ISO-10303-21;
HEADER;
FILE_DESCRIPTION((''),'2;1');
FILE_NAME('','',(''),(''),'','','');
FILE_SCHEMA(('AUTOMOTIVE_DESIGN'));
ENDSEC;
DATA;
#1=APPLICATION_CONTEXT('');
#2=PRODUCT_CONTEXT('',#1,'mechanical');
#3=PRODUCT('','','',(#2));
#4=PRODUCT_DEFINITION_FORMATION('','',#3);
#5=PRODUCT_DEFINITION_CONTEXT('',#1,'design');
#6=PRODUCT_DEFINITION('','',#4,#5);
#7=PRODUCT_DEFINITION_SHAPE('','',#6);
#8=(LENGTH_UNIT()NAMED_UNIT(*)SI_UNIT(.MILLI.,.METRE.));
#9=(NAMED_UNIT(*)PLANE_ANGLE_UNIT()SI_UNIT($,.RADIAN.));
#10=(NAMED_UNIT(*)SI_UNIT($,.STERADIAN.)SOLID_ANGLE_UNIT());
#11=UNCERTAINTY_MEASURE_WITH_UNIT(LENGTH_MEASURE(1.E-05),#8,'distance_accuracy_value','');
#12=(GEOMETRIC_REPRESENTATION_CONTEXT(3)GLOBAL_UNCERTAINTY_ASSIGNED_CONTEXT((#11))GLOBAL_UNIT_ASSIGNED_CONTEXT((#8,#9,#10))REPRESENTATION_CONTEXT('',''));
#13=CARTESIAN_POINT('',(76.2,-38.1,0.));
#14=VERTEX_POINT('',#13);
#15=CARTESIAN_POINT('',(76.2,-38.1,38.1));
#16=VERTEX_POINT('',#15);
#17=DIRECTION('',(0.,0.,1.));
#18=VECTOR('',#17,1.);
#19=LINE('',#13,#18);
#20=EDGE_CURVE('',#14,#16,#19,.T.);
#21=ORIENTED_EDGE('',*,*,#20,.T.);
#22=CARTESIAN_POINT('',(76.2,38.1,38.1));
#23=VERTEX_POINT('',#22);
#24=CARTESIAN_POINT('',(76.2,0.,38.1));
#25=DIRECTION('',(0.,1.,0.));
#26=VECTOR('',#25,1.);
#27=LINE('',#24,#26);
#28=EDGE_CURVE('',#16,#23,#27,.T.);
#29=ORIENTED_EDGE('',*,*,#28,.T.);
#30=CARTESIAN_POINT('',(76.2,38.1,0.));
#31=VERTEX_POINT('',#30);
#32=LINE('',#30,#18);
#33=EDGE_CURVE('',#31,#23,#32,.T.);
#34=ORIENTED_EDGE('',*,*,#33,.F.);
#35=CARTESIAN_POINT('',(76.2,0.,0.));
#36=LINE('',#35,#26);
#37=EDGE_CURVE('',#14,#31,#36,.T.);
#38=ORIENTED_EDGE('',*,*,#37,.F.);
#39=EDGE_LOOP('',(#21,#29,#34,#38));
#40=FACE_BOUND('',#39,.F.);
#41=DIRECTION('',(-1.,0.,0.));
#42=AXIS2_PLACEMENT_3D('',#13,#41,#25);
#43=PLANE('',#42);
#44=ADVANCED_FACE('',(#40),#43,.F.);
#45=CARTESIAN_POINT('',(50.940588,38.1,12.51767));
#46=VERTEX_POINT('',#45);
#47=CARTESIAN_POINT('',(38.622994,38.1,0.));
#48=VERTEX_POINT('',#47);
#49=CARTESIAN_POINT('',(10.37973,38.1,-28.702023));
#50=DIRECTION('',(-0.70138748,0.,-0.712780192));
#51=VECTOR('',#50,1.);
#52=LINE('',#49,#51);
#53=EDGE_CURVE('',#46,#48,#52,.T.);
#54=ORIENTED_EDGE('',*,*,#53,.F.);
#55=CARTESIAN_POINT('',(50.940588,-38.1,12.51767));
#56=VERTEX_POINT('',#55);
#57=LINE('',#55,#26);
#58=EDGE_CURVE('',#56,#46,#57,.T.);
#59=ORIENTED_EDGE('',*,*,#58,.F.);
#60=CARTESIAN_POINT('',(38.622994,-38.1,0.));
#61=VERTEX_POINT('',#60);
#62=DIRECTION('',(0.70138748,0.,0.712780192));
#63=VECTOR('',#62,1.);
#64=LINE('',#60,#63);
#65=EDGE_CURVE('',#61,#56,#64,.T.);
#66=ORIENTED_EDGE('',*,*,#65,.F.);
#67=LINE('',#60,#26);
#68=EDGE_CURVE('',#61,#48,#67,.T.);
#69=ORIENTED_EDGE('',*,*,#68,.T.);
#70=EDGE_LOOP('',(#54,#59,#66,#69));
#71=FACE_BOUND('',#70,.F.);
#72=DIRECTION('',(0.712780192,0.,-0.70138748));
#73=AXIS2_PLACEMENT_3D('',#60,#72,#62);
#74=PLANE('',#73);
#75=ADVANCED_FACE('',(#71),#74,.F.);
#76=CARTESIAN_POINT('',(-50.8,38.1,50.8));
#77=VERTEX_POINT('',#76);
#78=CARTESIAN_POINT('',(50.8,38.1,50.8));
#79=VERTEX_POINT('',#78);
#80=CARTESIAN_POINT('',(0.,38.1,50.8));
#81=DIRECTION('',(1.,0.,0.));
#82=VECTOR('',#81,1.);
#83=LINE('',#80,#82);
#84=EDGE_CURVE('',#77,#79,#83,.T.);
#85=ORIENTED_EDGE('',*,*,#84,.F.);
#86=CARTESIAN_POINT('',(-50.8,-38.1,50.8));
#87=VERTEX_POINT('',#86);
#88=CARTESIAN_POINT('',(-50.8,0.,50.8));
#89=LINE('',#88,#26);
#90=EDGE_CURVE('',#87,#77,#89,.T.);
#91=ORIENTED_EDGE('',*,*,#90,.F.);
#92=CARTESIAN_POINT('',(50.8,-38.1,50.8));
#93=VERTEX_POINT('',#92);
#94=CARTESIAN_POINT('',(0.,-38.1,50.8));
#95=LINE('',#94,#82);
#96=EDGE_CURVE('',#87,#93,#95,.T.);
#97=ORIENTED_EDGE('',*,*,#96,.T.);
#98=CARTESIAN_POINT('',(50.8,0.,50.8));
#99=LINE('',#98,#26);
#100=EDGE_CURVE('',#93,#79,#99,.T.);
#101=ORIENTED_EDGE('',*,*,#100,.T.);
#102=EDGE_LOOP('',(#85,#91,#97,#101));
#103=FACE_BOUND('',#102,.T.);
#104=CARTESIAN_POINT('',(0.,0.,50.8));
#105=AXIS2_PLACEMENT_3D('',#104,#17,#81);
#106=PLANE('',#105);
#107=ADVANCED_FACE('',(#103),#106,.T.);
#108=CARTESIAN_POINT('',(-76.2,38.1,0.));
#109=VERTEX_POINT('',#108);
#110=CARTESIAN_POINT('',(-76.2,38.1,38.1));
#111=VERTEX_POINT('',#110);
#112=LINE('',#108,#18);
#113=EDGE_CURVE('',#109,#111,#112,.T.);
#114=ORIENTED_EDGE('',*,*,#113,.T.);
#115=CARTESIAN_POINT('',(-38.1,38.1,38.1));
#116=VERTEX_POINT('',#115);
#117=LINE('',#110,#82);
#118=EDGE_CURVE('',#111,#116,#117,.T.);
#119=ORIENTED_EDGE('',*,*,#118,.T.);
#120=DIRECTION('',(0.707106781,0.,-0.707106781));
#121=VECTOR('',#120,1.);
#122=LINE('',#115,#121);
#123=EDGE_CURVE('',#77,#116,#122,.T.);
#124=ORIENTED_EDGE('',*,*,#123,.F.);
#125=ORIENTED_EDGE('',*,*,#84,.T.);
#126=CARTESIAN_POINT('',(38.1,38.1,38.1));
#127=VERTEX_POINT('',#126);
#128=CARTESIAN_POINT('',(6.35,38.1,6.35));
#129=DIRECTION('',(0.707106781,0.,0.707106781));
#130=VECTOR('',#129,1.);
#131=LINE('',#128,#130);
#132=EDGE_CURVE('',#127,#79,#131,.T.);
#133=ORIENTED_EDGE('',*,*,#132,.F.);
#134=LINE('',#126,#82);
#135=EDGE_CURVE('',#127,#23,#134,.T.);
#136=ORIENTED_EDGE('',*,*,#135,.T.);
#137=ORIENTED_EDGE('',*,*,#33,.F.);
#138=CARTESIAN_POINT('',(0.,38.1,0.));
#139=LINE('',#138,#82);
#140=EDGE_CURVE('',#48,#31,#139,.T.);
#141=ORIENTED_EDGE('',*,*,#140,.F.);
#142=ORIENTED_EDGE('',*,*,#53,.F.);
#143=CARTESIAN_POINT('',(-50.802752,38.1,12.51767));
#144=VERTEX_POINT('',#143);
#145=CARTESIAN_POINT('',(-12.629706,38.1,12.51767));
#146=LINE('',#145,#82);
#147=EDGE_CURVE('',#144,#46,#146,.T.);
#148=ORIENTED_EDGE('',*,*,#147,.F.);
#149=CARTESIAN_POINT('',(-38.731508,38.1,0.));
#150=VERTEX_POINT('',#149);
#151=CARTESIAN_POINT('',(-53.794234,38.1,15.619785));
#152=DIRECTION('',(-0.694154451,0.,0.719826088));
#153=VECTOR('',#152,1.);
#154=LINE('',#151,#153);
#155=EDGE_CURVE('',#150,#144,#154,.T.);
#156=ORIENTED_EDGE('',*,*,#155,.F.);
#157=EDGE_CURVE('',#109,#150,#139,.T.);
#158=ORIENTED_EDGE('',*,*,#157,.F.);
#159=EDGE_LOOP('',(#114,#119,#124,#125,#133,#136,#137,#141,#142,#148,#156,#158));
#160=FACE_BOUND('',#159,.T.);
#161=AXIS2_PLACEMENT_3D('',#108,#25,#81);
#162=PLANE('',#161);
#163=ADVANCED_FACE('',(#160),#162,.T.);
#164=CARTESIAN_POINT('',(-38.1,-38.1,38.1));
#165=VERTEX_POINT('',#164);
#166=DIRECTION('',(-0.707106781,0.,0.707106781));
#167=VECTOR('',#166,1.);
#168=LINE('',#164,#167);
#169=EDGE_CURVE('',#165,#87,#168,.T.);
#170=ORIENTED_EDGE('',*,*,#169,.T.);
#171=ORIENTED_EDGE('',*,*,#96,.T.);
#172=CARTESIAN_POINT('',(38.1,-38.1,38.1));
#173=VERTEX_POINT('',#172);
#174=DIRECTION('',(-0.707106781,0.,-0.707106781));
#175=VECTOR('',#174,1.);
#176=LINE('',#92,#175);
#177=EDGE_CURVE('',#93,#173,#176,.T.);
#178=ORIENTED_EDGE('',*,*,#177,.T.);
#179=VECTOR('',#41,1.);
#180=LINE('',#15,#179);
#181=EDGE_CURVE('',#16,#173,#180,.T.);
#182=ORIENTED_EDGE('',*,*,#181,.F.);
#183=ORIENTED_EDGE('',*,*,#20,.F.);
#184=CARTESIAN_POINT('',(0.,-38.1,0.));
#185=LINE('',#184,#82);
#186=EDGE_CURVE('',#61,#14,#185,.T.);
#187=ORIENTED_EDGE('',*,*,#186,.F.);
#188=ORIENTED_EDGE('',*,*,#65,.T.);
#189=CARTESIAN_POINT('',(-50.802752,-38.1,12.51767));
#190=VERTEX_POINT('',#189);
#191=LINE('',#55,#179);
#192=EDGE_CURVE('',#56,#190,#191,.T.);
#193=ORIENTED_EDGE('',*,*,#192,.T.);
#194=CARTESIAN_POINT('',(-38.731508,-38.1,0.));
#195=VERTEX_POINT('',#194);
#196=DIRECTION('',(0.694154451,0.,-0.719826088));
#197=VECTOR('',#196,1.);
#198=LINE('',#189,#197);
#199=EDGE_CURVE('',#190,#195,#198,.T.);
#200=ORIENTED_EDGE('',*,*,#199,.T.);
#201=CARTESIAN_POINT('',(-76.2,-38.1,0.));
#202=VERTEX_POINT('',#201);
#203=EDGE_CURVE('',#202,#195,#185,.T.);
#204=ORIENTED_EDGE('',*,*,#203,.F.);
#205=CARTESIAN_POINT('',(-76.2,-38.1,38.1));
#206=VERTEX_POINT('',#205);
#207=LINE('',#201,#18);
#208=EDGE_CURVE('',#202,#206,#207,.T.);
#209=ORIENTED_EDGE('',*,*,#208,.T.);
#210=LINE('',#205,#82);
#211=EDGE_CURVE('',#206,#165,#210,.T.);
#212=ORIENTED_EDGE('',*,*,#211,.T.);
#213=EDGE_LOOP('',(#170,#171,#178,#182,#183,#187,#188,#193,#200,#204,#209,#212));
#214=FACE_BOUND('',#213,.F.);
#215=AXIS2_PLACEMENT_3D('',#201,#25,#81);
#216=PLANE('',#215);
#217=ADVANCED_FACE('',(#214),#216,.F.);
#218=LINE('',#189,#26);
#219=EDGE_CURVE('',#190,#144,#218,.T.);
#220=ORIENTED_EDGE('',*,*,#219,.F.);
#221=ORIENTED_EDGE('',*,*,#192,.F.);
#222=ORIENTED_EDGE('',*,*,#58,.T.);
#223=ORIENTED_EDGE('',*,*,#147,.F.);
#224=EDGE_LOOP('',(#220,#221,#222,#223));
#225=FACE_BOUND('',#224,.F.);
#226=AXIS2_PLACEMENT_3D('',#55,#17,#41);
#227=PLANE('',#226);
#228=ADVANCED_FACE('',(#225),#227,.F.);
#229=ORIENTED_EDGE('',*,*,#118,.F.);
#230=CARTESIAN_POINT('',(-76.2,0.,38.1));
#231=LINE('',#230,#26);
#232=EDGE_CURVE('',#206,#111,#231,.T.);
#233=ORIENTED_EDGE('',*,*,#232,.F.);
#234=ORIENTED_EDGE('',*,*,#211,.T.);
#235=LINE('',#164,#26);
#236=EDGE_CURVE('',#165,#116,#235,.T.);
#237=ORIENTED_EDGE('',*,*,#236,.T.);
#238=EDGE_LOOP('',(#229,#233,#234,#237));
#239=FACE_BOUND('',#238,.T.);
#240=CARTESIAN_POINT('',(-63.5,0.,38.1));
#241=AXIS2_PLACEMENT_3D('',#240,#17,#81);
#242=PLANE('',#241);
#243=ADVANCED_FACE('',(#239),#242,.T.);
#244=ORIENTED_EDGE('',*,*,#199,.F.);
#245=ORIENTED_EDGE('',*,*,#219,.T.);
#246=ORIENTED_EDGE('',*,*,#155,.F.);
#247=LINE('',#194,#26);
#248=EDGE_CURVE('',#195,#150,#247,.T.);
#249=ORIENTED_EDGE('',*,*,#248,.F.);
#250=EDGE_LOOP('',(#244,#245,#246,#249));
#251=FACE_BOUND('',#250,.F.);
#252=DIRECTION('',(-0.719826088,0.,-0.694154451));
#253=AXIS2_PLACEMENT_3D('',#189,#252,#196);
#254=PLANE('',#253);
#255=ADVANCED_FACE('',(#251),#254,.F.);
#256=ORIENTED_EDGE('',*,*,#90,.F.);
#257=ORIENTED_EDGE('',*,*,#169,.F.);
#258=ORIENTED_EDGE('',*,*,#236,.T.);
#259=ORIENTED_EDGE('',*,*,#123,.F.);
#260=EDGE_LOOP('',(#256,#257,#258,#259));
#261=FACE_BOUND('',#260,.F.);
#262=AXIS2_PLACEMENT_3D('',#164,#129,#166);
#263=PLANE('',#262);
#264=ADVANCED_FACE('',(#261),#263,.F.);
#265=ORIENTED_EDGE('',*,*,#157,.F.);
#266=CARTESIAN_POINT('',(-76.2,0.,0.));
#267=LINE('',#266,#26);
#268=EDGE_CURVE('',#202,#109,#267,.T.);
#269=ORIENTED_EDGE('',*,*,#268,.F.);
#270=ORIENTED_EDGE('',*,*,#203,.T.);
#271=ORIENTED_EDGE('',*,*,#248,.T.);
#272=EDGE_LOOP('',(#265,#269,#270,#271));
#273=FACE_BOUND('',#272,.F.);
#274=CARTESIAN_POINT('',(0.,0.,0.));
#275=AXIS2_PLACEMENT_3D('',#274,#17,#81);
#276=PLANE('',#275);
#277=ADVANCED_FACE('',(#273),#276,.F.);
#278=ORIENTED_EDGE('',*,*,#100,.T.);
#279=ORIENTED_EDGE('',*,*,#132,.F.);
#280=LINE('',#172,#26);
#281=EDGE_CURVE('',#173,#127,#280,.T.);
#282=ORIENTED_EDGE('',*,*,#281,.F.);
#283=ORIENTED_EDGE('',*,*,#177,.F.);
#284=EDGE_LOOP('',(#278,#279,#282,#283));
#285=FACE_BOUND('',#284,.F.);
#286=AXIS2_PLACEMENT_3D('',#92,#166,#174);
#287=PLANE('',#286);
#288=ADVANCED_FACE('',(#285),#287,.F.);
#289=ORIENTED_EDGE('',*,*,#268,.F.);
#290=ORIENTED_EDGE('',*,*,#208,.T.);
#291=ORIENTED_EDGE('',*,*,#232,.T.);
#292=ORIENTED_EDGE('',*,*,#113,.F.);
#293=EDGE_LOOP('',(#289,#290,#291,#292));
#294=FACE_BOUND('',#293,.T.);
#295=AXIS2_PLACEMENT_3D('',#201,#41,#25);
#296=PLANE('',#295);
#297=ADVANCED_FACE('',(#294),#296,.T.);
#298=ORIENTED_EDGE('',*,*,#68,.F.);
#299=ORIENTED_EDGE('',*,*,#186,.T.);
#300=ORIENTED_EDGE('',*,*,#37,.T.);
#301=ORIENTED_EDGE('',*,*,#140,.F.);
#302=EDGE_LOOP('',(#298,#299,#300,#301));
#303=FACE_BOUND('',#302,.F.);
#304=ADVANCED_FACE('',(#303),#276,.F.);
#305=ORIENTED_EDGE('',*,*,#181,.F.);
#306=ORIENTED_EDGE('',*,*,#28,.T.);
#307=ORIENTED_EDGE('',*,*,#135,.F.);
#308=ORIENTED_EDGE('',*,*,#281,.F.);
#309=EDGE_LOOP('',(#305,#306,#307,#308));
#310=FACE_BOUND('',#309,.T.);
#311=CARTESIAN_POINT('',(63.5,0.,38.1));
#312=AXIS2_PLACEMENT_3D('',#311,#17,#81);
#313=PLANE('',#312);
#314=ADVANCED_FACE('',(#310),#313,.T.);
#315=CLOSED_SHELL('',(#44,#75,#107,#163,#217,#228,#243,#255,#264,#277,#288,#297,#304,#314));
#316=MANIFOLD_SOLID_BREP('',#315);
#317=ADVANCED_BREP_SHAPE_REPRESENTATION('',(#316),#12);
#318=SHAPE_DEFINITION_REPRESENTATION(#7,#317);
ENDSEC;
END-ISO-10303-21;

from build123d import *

# Parameters (mm, degrees)
F0_W      = 152.4
F0_H      = 76.2
F1_DEPTH  = 50.8
F2_W      = 25.4
F2_H      = 76.2
F3_DEPTH  = 12.7
F4_W      = 25.4
F4_H      = 76.2
F5_DEPTH  = 12.7
F7_DEPTH  = 76.201
F9_DEPTH  = 76.201
F12_DEPTH = 76.201


with BuildPart() as f1:
    # F0 (on Top) → F1 (new body)
    with BuildSketch(Plane.XY):
        Rectangle(F0_W, F0_H)
    extrude(amount=F1_DEPTH)

    # F2 (on face) → F3 (cut)
    with BuildSketch(Plane.XY.offset(50.8)):
        with Locations((63.5, 0)):
            Rectangle(F2_W, F2_H)
    extrude(amount=-F3_DEPTH, mode=Mode.SUBTRACT)

    # F4 (on face) → F5 (cut)
    with BuildSketch(Plane.XY.offset(50.8)):
        with Locations((-63.5, 0)):
            Rectangle(F4_W, F4_H)
    extrude(amount=-F5_DEPTH, mode=Mode.SUBTRACT)

    # F6 (on face) → F7 (cut, through all)
    with BuildSketch(Plane.XZ.offset(38.1)):
        Polygon((-50.8, 50.8), (-50.8, 38.1), (-38.1, 38.1), align=None)
    extrude(amount=-F7_DEPTH, mode=Mode.SUBTRACT)

    # F8 (on face) → F9 (cut, through all)
    with BuildSketch(Plane.XZ.offset(38.1)):
        Polygon((38.1, 38.1), (50.8, 38.1), (50.8, 50.8), align=None)
    extrude(amount=-F9_DEPTH, mode=Mode.SUBTRACT)

    # F11 (on face) → F12 (cut, through all)
    with BuildSketch(Plane.XZ.offset(38.1)):
        Polygon((-50.802752, 12.51767), (-38.731508, 0), (38.622994, 0), (50.940588, 12.51767), align=None)
    extrude(amount=-F12_DEPTH, mode=Mode.SUBTRACT)


solid = f1.part
